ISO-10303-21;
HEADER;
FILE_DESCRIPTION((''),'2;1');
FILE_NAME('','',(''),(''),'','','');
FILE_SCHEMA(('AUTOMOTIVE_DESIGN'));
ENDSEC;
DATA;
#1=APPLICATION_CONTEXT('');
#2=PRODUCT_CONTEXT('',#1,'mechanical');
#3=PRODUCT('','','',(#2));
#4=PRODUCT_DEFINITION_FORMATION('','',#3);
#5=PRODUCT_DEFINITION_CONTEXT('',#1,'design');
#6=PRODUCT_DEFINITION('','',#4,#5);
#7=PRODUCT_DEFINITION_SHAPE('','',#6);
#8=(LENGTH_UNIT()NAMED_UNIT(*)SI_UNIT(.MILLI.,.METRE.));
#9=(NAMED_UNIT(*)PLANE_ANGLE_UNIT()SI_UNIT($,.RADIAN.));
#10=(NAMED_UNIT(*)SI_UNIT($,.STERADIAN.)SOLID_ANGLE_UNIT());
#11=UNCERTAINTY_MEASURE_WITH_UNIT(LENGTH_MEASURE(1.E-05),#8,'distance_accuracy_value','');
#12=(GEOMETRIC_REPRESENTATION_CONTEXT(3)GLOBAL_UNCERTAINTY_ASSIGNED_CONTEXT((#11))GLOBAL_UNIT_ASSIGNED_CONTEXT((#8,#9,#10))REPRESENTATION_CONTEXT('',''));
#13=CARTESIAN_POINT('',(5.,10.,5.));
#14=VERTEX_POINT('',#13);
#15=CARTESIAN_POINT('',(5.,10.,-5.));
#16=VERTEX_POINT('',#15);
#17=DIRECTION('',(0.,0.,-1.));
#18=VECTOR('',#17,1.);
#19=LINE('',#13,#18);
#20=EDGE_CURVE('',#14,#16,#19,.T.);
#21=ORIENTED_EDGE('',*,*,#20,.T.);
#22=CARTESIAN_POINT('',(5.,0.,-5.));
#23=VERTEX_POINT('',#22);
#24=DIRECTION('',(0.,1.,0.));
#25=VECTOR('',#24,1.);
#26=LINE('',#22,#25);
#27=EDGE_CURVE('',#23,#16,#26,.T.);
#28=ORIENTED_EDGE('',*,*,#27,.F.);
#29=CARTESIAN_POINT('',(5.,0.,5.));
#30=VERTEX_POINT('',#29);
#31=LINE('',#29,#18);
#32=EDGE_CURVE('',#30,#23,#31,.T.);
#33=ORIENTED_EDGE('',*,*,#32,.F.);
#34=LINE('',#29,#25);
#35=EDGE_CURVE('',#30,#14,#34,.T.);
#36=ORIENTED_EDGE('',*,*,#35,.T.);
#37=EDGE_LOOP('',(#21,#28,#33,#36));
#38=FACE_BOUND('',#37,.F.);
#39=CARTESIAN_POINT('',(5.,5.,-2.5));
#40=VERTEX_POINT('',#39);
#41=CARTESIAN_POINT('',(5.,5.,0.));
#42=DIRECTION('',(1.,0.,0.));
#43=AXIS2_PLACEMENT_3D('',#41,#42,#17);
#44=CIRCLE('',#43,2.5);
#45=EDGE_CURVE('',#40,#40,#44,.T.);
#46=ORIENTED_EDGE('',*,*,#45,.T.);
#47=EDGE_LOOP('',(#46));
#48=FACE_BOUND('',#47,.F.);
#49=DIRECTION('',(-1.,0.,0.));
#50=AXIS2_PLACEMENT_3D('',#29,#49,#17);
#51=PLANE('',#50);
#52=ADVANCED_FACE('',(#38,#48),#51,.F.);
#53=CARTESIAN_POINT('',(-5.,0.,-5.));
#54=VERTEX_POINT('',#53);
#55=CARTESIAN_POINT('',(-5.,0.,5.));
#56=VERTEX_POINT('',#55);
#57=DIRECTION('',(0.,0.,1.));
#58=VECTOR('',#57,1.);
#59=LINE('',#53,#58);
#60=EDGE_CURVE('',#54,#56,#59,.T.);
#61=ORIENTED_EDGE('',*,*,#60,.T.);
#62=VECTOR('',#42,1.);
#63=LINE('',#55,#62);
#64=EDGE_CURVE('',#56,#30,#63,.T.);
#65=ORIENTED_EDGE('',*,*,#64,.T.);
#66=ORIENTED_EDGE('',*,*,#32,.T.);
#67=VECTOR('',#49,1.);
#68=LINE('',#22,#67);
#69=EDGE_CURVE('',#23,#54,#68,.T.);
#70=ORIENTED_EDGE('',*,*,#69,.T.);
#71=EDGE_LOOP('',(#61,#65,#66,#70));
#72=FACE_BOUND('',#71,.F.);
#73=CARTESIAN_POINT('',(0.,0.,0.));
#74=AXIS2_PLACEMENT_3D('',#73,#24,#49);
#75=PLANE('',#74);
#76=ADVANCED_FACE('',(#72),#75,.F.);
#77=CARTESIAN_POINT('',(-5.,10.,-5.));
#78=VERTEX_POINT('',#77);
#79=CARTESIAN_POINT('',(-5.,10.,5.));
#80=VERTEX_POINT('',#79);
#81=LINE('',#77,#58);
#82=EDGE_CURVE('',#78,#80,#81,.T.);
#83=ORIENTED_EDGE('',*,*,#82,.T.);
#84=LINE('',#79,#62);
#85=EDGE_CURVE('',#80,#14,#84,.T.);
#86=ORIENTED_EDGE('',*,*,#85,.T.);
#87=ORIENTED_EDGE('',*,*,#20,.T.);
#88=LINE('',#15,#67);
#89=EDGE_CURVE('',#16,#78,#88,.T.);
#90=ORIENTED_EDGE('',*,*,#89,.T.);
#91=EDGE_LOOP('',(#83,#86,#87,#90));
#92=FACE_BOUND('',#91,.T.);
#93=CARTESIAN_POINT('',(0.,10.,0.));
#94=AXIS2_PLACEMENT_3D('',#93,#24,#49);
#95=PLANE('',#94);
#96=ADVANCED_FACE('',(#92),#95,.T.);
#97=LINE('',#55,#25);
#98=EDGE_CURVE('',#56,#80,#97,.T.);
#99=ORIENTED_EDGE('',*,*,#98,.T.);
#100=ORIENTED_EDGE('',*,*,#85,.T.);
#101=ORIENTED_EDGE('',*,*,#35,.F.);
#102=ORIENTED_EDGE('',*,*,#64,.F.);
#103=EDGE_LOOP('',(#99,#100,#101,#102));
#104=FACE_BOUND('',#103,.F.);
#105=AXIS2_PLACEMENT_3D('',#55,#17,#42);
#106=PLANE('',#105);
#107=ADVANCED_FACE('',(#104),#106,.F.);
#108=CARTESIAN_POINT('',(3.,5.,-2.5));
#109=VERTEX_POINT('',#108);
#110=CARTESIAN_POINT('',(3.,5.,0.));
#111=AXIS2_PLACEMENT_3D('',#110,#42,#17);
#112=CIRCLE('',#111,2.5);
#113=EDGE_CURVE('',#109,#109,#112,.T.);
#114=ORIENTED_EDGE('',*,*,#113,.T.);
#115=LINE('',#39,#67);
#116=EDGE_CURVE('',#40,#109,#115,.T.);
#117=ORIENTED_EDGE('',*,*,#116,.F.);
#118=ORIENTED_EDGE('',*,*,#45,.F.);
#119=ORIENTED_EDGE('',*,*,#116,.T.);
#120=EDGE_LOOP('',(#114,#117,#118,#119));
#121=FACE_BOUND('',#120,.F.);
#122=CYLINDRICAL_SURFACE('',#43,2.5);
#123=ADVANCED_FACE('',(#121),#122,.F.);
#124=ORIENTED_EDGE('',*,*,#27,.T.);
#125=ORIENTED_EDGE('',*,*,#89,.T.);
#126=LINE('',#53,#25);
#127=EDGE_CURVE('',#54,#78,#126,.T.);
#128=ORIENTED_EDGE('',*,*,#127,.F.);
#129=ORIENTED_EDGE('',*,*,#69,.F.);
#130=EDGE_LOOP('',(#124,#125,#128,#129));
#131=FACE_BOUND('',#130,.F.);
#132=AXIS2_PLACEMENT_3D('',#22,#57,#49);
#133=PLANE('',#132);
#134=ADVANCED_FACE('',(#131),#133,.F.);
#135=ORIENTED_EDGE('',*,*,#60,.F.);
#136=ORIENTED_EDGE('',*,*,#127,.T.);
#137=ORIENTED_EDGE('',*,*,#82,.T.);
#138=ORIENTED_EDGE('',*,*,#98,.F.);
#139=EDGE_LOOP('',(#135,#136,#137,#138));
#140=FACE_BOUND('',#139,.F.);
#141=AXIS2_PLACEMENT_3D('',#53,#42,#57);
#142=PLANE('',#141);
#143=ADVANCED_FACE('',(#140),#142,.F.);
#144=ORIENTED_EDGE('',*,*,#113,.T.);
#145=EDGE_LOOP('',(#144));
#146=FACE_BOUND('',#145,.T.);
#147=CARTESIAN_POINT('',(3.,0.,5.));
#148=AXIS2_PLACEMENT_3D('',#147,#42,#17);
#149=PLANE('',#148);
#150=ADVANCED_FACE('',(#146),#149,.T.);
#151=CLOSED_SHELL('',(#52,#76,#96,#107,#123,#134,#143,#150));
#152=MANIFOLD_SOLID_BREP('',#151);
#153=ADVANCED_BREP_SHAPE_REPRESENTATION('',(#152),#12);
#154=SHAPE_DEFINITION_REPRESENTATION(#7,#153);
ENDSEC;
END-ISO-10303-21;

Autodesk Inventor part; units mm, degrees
ref_plane "YZ Plane" through (0, 0, 0) normal (1, 0, 0) x (0, 1, 0)
ref_plane "XZ Plane" through (0, 0, 0) normal (0, 1, 0) x (-1, 0, 0)
ref_plane "XY Plane" through (0, 0, 0) normal (0, 0, 1) x (1, 0, 0)
sketch "Sketch1" plane through (0, 0, 0) normal (0, 1, 0) x (-1, 0, 0)
  line L0 (5, 5) -> (-5, 5)
  line L1 (-5, 5) -> (-5, -5)
  line L2 (-5, -5) -> (5, -5)
  line L3 (5, -5) -> (5, 5)
  point P0 (0, 0)
  dimension "d0" = 10
  dimension "d1" = 10
extrude "Extrusion1" add sketch "Sketch1" along normal blind 10
sketch "Sketch2" plane through (5, 0, 5) normal (1, 0, 0) x (0, 0, -1)
  line L0 (0, 0) -> (10, 0) construction
  line L1 (10, 0) -> (10, 10) construction
  line L2 (0, 10) -> (10, 10) construction
  line L3 (0, 0) -> (0, 10) construction
  line L4 (0, 10) -> (10, 10) construction
  line L5 (5, 10) -> (5, 0) construction
  line L6 (0, 0) -> (0, 10) construction
  line L7 (0, 5) -> (10, 5) construction
  line L8 (10, 0) -> (10, 10) construction
  circle A0 centre (5, 5) radius 2.5
  dimension "d4" = 5
extrude "Extrusion2" cut sketch "Sketch2" against normal blind 2
properties part number "cubo_calibracion_1cm"
